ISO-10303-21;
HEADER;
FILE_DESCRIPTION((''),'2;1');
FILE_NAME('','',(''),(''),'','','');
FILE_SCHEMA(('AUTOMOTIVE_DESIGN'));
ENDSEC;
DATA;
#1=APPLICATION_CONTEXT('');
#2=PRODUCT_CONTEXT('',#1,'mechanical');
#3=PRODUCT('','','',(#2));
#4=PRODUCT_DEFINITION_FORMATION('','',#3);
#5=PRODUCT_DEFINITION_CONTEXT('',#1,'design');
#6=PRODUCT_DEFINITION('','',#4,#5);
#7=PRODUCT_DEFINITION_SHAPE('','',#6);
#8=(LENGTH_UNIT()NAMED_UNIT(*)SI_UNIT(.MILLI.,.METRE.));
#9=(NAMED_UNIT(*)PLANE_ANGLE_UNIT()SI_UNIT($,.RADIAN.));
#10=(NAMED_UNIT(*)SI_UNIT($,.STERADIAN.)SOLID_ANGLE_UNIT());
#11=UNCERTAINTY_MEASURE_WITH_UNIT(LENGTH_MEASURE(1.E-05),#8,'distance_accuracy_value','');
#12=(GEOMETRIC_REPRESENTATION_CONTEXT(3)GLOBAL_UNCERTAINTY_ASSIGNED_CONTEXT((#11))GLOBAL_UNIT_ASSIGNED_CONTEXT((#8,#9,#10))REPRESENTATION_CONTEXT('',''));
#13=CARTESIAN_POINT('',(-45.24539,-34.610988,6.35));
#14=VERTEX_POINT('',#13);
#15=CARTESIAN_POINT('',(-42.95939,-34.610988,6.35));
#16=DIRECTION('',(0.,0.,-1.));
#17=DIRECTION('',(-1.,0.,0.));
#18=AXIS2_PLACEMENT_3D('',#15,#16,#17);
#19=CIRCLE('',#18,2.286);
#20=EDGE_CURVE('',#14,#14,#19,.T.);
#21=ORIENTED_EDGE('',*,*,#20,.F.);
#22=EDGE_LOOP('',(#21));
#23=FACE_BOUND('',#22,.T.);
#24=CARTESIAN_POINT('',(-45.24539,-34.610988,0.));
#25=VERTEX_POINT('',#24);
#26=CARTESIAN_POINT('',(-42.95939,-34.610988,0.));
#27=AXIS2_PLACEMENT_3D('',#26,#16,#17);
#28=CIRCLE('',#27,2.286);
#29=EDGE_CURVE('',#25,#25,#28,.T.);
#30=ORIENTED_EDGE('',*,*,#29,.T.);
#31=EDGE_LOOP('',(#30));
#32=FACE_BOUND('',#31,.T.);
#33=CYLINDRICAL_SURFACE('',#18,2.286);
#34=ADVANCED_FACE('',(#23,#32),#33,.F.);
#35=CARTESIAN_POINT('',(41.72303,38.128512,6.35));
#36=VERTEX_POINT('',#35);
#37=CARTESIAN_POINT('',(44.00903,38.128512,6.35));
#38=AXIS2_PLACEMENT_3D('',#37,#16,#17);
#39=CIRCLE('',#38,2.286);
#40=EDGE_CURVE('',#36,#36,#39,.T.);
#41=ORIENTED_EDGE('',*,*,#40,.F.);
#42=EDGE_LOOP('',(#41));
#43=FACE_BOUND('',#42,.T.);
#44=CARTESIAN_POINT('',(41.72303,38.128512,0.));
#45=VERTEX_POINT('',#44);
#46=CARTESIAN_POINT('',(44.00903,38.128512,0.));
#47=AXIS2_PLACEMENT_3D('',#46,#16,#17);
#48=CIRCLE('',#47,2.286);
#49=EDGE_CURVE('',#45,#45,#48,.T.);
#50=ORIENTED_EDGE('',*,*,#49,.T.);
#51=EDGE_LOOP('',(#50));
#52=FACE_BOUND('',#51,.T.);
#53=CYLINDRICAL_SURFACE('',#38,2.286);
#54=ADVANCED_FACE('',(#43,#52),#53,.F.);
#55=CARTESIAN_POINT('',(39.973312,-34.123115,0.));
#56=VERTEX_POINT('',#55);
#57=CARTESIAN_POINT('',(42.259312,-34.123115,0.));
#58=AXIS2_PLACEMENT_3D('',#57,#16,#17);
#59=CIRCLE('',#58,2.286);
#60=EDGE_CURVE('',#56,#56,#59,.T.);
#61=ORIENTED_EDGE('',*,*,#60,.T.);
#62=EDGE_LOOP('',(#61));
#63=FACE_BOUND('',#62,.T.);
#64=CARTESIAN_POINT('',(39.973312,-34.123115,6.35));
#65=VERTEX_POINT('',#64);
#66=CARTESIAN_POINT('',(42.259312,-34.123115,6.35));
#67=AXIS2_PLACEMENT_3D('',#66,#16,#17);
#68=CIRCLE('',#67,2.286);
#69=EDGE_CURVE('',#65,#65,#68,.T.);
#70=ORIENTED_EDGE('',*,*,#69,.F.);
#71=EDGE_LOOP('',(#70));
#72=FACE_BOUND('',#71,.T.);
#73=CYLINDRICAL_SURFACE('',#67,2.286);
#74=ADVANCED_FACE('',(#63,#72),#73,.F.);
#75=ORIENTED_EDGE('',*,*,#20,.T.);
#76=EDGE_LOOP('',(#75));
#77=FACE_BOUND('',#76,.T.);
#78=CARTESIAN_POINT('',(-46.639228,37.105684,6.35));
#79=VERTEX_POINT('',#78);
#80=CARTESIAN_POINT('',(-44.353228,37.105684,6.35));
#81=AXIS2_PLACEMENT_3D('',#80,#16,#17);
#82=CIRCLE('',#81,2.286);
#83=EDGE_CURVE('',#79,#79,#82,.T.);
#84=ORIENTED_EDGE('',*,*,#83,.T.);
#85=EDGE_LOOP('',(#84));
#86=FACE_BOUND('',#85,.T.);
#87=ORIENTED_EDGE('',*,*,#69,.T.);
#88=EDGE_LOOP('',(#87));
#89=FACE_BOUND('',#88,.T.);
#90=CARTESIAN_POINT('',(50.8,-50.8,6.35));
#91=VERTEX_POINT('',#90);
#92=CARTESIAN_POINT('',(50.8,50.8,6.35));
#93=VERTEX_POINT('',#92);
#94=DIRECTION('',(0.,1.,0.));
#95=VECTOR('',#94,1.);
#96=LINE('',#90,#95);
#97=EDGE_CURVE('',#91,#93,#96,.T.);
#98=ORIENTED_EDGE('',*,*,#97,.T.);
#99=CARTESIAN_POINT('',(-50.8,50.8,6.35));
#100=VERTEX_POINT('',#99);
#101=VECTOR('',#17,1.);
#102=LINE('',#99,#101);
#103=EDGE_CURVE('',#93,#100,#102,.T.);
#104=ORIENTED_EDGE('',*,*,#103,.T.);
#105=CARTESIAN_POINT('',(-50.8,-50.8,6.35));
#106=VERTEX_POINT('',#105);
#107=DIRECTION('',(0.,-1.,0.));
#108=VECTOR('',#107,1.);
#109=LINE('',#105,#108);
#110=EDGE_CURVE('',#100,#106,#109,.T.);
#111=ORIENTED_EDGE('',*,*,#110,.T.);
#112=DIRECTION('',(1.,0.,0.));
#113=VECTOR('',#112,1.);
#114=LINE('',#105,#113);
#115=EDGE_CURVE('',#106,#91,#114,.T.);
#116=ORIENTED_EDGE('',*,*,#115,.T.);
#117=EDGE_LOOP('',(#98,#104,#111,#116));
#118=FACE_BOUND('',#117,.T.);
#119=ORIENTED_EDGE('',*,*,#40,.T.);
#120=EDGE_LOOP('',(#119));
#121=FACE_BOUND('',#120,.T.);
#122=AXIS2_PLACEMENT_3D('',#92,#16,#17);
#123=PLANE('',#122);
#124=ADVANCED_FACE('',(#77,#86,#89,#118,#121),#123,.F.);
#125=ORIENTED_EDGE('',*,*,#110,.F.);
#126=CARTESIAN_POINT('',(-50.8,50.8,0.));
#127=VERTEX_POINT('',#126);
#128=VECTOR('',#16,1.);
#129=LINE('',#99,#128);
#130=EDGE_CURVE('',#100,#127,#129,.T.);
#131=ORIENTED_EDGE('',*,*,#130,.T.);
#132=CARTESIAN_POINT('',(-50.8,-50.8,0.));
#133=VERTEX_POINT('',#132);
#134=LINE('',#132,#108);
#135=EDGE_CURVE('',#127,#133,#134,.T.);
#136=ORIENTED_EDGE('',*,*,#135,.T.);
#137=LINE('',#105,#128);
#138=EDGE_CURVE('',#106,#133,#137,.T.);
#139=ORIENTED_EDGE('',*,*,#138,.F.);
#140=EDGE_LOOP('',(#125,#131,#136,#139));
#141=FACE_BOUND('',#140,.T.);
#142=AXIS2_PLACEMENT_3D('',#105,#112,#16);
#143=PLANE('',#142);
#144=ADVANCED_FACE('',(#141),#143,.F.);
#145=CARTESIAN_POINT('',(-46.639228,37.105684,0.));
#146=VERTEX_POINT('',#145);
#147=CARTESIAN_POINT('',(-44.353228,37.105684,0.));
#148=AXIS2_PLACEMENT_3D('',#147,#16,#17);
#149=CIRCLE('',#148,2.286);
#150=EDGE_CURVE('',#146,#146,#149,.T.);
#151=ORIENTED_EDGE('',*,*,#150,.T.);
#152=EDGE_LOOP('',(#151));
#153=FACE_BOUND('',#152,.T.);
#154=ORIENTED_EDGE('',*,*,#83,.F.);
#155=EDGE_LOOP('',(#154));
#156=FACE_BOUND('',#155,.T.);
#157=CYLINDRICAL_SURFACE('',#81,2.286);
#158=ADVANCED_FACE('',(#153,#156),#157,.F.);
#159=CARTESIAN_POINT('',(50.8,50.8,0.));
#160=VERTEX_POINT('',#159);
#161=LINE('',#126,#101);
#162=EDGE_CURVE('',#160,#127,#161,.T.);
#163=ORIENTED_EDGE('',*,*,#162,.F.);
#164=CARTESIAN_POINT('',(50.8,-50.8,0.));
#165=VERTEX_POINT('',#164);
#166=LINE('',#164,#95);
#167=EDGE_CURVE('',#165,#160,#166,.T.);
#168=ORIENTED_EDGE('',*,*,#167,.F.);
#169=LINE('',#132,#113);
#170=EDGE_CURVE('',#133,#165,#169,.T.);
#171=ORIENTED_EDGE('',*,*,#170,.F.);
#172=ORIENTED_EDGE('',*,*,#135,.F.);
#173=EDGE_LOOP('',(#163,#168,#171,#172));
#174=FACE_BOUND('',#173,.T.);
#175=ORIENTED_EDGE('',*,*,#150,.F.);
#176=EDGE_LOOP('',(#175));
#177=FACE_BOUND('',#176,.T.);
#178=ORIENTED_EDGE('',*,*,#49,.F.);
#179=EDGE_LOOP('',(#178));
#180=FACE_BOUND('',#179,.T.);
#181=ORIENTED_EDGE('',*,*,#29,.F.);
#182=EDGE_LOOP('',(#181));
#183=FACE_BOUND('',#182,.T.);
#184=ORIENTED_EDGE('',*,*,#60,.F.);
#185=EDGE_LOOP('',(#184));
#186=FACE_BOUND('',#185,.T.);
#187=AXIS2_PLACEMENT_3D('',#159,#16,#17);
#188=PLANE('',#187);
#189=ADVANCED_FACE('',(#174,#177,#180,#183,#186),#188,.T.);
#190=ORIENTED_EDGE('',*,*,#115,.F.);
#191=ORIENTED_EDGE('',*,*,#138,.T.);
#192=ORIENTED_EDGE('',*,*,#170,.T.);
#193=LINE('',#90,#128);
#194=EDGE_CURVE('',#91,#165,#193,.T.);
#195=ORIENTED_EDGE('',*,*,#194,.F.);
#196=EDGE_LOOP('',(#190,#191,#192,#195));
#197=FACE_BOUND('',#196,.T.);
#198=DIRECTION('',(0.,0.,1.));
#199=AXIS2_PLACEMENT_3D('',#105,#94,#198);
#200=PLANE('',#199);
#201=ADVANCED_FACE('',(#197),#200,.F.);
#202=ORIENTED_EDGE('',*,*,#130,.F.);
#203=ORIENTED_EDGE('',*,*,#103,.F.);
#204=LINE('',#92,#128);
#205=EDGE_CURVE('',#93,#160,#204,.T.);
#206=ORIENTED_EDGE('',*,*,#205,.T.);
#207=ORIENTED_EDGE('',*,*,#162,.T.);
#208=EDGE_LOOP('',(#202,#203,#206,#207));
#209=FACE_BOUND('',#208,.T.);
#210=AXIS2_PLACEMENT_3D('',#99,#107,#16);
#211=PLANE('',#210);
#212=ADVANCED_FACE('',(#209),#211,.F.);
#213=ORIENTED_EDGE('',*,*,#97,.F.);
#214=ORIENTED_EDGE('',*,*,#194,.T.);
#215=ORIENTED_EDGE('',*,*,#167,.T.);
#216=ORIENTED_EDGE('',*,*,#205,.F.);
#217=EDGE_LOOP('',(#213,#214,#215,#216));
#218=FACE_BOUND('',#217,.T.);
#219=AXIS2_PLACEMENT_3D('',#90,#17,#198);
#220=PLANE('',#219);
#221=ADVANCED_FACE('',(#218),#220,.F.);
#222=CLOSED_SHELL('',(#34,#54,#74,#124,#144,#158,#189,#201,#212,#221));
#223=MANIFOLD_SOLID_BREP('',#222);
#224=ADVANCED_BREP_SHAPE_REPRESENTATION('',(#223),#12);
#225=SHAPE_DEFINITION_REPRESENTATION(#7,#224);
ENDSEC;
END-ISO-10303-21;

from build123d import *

# Parameters (mm, degrees)
SKETCH1_W           = 101.6
SKETCH1_H           = 101.6
BOSS_EXTRUDE1_DEPTH = 6.35
SKETCH2_R           = 2.286
CUT_EXTRUDE1_DEPTH  = 7.35


with BuildPart() as part:
    # Sketch1 → Boss-Extrude1 (new body)
    with BuildSketch(Plane.XY):
        Rectangle(SKETCH1_W, SKETCH1_H)
    extrude(amount=BOSS_EXTRUDE1_DEPTH)

    # Sketch2 → Cut-Extrude1 (cut, through all)
    with BuildSketch(Plane(origin=(0, 0, 0), x_dir=(-1, 0, 0), z_dir=(0, 0, -1))):
        with Locations((-42.259312367, -34.12311472)):
            Circle(SKETCH2_R)
        with Locations((42.95939041, -34.610988475)):
            Circle(SKETCH2_R)
        with Locations((44.353227794, 37.105683547)):
            Circle(SKETCH2_R)
        with Locations((-44.009030347, 38.128511897)):
            Circle(SKETCH2_R)
    extrude(amount=-CUT_EXTRUDE1_DEPTH, mode=Mode.SUBTRACT)


solid = part.part
